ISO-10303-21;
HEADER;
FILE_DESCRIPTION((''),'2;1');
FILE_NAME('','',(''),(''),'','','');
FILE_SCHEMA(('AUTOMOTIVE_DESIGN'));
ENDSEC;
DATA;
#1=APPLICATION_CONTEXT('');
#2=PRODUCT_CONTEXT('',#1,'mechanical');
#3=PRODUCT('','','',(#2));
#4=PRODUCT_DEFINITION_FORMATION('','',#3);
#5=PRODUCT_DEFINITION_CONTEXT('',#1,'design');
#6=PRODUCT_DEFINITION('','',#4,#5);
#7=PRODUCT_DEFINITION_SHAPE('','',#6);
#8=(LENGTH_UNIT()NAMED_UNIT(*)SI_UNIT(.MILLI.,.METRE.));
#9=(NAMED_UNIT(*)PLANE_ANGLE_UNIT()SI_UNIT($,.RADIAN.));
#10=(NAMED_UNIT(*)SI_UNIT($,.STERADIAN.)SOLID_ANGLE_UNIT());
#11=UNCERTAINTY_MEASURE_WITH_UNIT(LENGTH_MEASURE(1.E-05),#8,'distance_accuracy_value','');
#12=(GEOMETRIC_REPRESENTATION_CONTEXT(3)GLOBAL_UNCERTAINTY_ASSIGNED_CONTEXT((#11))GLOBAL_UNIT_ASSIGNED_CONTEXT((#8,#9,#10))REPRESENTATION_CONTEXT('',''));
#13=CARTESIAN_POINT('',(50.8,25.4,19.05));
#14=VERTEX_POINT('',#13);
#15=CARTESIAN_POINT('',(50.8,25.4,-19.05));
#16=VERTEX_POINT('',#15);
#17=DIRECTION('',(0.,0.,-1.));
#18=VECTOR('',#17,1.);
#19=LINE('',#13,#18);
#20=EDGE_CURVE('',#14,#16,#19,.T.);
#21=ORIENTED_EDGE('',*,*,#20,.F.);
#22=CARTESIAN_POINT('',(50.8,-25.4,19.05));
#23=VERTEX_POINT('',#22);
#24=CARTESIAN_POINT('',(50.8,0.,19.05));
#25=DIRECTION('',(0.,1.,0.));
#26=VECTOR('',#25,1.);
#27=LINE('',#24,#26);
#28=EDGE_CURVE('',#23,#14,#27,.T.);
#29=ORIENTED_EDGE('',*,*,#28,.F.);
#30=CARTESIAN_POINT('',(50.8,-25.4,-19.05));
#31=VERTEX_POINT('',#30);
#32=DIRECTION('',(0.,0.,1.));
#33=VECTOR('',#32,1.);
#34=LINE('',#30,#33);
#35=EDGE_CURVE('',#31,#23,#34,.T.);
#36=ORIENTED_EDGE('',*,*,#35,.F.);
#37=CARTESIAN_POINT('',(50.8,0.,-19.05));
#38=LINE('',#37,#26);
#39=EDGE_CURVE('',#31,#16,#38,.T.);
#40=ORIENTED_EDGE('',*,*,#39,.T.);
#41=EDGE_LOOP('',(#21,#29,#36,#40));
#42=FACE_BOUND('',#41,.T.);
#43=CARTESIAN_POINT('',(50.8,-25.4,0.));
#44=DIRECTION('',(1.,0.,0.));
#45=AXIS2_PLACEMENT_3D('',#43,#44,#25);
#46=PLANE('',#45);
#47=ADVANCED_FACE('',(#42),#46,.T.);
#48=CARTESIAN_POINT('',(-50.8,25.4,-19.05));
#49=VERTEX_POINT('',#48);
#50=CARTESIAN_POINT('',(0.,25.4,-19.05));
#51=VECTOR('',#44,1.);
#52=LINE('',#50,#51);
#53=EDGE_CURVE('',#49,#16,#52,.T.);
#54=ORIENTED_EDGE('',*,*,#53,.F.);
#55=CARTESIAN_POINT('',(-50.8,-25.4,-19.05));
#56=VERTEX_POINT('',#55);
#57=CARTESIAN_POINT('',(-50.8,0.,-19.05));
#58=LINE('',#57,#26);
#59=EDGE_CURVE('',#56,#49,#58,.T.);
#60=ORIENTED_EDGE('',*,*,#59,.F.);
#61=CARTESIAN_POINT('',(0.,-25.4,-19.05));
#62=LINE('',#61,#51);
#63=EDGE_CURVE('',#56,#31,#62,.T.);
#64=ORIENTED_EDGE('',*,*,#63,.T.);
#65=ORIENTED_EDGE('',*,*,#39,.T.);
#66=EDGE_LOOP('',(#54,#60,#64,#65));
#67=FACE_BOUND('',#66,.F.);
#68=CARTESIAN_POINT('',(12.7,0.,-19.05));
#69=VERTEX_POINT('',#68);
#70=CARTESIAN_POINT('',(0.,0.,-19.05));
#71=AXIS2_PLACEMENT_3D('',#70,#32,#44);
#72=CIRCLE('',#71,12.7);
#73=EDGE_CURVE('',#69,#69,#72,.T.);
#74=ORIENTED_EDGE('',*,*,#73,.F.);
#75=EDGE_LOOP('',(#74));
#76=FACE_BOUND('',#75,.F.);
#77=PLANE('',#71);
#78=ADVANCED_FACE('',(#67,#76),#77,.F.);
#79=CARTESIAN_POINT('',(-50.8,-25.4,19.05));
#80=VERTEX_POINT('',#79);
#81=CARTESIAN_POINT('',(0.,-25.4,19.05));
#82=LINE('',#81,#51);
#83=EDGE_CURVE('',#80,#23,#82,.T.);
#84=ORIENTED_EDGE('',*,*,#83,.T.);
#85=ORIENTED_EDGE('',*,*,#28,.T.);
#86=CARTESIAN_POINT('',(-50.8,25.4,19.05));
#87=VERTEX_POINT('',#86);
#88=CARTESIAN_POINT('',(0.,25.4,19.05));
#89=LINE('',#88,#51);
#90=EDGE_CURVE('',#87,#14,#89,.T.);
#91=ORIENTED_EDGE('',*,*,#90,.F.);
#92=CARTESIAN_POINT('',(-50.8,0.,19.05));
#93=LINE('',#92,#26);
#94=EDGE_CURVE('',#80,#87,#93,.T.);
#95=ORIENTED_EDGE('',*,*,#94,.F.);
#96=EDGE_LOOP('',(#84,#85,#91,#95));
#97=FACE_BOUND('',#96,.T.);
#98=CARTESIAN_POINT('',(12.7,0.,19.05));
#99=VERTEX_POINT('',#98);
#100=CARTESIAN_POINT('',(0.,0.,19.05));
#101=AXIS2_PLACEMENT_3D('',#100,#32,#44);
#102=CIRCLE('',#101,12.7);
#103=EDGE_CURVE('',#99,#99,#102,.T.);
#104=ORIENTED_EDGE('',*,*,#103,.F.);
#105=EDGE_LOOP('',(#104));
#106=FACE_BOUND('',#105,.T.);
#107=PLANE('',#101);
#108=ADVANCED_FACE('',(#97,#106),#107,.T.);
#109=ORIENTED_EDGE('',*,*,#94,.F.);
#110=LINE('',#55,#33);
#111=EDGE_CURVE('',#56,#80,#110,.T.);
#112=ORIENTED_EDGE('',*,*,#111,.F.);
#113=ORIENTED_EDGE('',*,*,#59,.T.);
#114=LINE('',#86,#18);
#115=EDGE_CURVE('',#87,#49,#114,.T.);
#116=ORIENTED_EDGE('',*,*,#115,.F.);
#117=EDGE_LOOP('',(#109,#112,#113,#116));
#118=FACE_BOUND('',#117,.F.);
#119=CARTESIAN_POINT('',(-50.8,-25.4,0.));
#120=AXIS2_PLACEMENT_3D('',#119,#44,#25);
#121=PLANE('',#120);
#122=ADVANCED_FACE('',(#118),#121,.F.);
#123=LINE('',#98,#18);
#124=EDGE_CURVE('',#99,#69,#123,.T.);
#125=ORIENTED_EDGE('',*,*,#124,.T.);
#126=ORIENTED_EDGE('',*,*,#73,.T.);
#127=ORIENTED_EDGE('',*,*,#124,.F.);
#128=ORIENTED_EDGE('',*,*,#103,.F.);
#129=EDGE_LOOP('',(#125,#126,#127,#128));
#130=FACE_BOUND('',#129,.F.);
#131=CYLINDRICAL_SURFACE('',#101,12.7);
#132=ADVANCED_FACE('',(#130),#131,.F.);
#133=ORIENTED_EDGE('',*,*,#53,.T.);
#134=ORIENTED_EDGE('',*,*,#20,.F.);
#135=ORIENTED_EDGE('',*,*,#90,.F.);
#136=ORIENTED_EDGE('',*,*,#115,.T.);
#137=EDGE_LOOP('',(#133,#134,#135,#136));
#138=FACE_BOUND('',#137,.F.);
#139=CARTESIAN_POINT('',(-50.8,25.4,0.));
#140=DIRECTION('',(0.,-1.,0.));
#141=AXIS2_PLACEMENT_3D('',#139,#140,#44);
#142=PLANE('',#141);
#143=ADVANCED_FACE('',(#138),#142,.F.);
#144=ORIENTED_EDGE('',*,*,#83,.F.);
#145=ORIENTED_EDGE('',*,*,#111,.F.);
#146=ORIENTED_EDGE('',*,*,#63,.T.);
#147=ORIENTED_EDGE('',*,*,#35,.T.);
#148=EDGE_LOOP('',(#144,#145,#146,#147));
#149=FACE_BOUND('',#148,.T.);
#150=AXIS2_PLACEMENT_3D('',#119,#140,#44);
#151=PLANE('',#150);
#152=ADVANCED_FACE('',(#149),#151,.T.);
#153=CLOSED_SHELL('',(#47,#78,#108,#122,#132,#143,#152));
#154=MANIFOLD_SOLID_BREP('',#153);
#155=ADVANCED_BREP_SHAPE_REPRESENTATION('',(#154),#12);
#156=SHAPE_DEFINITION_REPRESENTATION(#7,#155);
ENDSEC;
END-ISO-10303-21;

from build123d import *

# Parameters (mm, degrees)
F0_W     = 101.6
F0_H     = 50.8
F1_DEPTH = 19.05
F2_R     = 12.7
F3_DEPTH = 38.101


with BuildPart() as f1:
    # F0 (on Top) → F1 (new body, symmetric)
    with BuildSketch(Plane.XY):
        Rectangle(F0_W, F0_H)
    extrude(amount=F1_DEPTH, both=True)

    # F2 (on face) → F3 (cut, through all)
    with BuildSketch(Plane.XY.offset(19.05)):
        Circle(F2_R)
    extrude(amount=-F3_DEPTH, mode=Mode.SUBTRACT)


solid = f1.part
